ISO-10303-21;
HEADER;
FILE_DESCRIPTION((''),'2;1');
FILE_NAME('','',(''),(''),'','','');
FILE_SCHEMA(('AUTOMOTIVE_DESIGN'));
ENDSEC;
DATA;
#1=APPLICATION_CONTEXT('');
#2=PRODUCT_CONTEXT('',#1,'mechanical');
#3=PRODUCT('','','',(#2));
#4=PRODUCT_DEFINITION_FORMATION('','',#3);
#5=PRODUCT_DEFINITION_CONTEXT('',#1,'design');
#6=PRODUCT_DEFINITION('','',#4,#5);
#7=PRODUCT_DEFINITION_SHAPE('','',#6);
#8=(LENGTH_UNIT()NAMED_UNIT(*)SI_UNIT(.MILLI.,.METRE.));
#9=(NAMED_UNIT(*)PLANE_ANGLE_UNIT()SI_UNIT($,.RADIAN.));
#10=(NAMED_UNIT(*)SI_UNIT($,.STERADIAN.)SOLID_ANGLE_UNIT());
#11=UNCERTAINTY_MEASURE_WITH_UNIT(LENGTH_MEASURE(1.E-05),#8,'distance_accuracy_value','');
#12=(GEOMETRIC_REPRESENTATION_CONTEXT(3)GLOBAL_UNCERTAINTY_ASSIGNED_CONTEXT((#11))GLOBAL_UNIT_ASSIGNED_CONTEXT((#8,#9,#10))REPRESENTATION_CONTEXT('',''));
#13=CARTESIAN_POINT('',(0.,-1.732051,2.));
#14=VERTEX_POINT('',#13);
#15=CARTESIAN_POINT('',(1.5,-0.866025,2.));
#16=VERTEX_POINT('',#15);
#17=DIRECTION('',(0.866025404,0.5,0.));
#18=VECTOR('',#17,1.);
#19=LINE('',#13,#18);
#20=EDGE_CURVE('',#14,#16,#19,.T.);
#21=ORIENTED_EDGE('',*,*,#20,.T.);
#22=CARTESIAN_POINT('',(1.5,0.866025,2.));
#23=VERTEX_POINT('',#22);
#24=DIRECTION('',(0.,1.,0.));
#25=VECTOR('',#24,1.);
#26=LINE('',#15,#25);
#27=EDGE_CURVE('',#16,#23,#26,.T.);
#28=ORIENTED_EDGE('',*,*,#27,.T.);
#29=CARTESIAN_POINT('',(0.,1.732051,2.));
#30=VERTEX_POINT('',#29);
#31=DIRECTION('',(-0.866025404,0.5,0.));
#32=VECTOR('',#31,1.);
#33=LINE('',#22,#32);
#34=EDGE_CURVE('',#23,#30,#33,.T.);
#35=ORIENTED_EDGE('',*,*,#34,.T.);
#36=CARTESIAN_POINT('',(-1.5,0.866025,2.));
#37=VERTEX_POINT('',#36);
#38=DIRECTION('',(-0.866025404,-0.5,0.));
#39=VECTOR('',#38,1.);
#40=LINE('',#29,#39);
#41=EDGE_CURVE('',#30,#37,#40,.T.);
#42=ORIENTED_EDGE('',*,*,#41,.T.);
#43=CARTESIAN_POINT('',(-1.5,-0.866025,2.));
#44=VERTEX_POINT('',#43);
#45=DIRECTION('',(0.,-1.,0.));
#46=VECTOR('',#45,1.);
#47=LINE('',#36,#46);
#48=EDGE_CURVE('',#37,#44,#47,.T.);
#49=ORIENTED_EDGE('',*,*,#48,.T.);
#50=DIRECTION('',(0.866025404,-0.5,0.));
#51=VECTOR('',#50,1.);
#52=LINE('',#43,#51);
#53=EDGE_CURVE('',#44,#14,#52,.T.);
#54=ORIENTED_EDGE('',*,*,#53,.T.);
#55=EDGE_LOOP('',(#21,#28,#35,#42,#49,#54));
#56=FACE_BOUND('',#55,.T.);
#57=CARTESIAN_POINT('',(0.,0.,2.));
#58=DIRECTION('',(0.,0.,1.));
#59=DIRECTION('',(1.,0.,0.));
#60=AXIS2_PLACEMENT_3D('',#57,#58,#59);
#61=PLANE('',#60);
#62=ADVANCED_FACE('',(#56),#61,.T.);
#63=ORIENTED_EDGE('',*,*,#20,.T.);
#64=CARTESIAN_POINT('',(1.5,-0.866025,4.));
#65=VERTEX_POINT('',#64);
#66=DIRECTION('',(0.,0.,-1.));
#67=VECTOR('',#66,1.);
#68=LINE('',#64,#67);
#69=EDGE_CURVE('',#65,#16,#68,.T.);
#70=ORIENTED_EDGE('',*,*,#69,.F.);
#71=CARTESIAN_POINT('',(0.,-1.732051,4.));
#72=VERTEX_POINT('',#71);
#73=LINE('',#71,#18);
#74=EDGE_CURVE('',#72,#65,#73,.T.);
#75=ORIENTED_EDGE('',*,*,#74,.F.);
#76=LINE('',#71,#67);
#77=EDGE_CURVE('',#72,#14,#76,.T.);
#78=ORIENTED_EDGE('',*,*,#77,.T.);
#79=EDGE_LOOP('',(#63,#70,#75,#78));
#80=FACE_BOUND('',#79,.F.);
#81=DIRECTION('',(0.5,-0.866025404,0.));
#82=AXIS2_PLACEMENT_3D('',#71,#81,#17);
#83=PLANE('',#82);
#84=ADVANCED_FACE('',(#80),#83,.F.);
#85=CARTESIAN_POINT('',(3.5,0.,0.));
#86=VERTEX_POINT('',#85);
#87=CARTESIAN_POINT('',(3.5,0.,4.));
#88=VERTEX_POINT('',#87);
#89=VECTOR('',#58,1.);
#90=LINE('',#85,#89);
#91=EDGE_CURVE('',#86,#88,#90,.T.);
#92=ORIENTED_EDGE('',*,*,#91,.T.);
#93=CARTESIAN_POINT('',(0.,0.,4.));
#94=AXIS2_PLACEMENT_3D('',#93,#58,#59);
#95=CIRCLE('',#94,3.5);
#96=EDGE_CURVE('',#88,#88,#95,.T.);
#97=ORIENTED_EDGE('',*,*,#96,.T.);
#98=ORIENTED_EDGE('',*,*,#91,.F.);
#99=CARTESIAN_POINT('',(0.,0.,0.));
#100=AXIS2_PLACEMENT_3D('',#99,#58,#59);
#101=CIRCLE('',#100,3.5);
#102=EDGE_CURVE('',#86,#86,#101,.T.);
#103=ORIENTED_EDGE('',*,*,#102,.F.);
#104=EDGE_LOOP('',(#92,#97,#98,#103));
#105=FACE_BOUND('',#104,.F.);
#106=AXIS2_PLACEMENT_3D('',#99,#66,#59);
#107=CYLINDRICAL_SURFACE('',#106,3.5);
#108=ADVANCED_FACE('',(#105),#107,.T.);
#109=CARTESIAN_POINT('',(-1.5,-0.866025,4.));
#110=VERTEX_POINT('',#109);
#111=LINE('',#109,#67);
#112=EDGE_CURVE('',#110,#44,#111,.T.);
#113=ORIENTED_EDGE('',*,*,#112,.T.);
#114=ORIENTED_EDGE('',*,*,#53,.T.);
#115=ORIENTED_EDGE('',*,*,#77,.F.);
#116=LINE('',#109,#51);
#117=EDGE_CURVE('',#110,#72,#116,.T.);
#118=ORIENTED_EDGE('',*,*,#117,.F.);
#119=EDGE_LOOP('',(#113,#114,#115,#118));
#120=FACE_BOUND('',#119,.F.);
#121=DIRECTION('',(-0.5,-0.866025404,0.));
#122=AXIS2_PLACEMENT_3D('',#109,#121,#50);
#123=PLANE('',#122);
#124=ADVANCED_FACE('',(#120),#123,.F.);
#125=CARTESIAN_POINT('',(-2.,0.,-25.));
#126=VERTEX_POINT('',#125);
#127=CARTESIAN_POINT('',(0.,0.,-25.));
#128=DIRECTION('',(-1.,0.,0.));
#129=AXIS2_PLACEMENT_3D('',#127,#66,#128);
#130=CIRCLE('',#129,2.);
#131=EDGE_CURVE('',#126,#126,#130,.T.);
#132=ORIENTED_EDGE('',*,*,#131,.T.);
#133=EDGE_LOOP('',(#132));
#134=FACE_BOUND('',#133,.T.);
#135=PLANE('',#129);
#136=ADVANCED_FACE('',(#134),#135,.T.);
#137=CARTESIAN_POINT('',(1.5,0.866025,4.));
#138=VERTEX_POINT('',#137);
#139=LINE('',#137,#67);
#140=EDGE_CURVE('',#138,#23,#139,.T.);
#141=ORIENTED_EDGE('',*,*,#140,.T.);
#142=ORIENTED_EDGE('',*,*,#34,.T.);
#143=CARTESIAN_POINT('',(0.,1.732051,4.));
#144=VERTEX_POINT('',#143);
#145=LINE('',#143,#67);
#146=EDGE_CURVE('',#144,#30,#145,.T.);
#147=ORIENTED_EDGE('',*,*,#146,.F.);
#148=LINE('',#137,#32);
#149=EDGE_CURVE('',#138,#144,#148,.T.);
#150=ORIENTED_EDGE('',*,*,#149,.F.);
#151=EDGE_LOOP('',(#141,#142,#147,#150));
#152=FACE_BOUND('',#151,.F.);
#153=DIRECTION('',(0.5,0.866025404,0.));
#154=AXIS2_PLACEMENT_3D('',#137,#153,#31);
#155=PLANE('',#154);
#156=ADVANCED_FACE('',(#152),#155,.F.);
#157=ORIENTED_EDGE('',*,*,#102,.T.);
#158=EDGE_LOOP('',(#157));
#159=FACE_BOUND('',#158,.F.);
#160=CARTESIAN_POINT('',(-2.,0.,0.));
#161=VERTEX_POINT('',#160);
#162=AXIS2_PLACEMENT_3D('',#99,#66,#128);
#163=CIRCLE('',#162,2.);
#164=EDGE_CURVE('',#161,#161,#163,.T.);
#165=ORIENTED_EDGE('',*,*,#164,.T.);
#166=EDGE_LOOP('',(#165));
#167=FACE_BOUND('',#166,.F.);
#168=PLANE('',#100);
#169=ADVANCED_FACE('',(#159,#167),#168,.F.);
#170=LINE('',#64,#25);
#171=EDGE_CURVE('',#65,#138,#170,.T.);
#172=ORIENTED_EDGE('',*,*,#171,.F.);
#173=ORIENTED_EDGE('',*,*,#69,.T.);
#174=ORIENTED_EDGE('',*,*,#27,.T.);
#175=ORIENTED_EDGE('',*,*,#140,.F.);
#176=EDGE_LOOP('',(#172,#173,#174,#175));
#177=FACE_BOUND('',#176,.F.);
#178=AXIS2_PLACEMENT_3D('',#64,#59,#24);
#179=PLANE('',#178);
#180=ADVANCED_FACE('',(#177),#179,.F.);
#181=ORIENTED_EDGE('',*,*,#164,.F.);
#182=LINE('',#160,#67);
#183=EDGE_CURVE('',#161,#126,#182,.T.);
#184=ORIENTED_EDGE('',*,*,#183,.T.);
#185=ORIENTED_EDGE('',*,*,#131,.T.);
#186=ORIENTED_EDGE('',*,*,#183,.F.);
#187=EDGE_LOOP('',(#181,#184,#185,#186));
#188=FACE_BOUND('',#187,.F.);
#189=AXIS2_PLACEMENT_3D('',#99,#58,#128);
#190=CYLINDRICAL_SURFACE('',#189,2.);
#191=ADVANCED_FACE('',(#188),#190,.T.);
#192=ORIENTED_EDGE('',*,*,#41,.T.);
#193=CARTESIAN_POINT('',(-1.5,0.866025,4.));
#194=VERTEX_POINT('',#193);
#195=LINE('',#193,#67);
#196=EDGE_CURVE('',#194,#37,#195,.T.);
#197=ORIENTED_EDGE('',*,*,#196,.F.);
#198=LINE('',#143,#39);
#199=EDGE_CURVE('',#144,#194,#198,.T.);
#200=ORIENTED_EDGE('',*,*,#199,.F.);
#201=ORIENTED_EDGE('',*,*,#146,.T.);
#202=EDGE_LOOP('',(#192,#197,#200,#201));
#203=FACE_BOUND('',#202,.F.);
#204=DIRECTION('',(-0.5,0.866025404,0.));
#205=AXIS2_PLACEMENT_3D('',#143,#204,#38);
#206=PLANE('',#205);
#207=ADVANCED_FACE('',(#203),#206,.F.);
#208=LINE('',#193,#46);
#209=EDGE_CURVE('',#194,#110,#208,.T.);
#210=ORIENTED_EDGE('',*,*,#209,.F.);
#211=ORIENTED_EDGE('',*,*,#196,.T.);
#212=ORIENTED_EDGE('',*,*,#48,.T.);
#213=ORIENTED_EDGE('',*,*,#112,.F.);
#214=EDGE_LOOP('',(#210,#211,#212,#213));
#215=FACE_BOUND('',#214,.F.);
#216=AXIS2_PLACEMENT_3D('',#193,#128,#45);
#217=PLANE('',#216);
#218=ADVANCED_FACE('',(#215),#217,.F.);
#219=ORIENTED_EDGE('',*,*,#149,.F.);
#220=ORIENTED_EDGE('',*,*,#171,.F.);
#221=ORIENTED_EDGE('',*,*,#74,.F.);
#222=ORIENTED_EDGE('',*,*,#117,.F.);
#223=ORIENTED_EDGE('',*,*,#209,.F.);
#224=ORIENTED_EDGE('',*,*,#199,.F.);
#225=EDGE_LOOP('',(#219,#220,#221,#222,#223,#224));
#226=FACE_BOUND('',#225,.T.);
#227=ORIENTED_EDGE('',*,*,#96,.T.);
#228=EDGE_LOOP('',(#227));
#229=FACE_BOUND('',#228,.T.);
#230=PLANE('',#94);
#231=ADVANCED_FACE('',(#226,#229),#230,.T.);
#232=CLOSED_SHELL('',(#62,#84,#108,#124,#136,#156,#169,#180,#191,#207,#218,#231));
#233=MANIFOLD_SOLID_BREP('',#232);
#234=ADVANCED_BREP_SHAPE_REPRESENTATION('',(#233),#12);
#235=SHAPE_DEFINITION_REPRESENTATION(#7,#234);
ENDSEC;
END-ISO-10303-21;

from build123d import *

# Parameters (mm, degrees)
SKETCH1_R           = 3.5
BOSS_EXTRUDE1_DEPTH = 4
CUT_EXTRUDE1_DEPTH  = 2
SKETCH3_R           = 2
BOSS_EXTRUDE2_DEPTH = 25


with BuildPart() as part:
    # Sketch1 → Boss-Extrude1 (new body)
    with BuildSketch(Plane.XY):
        Circle(SKETCH1_R)
    extrude(amount=BOSS_EXTRUDE1_DEPTH)

    # Sketch2 → Cut-Extrude1 (cut)
    with BuildSketch(Plane.XY.offset(4)):
        Polygon((0, -1.732050808), (1.5, -0.866025404), (1.5, 0.866025404), (0, 1.732050808), (-1.5, 0.866025404), (-1.5, -0.866025404), align=None)
    extrude(amount=-CUT_EXTRUDE1_DEPTH, mode=Mode.SUBTRACT)

    # Sketch3 → Boss-Extrude2 (add)
    with BuildSketch(Plane(origin=(0, 0, 0), x_dir=(-1, 0, 0), z_dir=(0, 0, -1))):
        Circle(SKETCH3_R)
    extrude(amount=BOSS_EXTRUDE2_DEPTH)


solid = part.part
